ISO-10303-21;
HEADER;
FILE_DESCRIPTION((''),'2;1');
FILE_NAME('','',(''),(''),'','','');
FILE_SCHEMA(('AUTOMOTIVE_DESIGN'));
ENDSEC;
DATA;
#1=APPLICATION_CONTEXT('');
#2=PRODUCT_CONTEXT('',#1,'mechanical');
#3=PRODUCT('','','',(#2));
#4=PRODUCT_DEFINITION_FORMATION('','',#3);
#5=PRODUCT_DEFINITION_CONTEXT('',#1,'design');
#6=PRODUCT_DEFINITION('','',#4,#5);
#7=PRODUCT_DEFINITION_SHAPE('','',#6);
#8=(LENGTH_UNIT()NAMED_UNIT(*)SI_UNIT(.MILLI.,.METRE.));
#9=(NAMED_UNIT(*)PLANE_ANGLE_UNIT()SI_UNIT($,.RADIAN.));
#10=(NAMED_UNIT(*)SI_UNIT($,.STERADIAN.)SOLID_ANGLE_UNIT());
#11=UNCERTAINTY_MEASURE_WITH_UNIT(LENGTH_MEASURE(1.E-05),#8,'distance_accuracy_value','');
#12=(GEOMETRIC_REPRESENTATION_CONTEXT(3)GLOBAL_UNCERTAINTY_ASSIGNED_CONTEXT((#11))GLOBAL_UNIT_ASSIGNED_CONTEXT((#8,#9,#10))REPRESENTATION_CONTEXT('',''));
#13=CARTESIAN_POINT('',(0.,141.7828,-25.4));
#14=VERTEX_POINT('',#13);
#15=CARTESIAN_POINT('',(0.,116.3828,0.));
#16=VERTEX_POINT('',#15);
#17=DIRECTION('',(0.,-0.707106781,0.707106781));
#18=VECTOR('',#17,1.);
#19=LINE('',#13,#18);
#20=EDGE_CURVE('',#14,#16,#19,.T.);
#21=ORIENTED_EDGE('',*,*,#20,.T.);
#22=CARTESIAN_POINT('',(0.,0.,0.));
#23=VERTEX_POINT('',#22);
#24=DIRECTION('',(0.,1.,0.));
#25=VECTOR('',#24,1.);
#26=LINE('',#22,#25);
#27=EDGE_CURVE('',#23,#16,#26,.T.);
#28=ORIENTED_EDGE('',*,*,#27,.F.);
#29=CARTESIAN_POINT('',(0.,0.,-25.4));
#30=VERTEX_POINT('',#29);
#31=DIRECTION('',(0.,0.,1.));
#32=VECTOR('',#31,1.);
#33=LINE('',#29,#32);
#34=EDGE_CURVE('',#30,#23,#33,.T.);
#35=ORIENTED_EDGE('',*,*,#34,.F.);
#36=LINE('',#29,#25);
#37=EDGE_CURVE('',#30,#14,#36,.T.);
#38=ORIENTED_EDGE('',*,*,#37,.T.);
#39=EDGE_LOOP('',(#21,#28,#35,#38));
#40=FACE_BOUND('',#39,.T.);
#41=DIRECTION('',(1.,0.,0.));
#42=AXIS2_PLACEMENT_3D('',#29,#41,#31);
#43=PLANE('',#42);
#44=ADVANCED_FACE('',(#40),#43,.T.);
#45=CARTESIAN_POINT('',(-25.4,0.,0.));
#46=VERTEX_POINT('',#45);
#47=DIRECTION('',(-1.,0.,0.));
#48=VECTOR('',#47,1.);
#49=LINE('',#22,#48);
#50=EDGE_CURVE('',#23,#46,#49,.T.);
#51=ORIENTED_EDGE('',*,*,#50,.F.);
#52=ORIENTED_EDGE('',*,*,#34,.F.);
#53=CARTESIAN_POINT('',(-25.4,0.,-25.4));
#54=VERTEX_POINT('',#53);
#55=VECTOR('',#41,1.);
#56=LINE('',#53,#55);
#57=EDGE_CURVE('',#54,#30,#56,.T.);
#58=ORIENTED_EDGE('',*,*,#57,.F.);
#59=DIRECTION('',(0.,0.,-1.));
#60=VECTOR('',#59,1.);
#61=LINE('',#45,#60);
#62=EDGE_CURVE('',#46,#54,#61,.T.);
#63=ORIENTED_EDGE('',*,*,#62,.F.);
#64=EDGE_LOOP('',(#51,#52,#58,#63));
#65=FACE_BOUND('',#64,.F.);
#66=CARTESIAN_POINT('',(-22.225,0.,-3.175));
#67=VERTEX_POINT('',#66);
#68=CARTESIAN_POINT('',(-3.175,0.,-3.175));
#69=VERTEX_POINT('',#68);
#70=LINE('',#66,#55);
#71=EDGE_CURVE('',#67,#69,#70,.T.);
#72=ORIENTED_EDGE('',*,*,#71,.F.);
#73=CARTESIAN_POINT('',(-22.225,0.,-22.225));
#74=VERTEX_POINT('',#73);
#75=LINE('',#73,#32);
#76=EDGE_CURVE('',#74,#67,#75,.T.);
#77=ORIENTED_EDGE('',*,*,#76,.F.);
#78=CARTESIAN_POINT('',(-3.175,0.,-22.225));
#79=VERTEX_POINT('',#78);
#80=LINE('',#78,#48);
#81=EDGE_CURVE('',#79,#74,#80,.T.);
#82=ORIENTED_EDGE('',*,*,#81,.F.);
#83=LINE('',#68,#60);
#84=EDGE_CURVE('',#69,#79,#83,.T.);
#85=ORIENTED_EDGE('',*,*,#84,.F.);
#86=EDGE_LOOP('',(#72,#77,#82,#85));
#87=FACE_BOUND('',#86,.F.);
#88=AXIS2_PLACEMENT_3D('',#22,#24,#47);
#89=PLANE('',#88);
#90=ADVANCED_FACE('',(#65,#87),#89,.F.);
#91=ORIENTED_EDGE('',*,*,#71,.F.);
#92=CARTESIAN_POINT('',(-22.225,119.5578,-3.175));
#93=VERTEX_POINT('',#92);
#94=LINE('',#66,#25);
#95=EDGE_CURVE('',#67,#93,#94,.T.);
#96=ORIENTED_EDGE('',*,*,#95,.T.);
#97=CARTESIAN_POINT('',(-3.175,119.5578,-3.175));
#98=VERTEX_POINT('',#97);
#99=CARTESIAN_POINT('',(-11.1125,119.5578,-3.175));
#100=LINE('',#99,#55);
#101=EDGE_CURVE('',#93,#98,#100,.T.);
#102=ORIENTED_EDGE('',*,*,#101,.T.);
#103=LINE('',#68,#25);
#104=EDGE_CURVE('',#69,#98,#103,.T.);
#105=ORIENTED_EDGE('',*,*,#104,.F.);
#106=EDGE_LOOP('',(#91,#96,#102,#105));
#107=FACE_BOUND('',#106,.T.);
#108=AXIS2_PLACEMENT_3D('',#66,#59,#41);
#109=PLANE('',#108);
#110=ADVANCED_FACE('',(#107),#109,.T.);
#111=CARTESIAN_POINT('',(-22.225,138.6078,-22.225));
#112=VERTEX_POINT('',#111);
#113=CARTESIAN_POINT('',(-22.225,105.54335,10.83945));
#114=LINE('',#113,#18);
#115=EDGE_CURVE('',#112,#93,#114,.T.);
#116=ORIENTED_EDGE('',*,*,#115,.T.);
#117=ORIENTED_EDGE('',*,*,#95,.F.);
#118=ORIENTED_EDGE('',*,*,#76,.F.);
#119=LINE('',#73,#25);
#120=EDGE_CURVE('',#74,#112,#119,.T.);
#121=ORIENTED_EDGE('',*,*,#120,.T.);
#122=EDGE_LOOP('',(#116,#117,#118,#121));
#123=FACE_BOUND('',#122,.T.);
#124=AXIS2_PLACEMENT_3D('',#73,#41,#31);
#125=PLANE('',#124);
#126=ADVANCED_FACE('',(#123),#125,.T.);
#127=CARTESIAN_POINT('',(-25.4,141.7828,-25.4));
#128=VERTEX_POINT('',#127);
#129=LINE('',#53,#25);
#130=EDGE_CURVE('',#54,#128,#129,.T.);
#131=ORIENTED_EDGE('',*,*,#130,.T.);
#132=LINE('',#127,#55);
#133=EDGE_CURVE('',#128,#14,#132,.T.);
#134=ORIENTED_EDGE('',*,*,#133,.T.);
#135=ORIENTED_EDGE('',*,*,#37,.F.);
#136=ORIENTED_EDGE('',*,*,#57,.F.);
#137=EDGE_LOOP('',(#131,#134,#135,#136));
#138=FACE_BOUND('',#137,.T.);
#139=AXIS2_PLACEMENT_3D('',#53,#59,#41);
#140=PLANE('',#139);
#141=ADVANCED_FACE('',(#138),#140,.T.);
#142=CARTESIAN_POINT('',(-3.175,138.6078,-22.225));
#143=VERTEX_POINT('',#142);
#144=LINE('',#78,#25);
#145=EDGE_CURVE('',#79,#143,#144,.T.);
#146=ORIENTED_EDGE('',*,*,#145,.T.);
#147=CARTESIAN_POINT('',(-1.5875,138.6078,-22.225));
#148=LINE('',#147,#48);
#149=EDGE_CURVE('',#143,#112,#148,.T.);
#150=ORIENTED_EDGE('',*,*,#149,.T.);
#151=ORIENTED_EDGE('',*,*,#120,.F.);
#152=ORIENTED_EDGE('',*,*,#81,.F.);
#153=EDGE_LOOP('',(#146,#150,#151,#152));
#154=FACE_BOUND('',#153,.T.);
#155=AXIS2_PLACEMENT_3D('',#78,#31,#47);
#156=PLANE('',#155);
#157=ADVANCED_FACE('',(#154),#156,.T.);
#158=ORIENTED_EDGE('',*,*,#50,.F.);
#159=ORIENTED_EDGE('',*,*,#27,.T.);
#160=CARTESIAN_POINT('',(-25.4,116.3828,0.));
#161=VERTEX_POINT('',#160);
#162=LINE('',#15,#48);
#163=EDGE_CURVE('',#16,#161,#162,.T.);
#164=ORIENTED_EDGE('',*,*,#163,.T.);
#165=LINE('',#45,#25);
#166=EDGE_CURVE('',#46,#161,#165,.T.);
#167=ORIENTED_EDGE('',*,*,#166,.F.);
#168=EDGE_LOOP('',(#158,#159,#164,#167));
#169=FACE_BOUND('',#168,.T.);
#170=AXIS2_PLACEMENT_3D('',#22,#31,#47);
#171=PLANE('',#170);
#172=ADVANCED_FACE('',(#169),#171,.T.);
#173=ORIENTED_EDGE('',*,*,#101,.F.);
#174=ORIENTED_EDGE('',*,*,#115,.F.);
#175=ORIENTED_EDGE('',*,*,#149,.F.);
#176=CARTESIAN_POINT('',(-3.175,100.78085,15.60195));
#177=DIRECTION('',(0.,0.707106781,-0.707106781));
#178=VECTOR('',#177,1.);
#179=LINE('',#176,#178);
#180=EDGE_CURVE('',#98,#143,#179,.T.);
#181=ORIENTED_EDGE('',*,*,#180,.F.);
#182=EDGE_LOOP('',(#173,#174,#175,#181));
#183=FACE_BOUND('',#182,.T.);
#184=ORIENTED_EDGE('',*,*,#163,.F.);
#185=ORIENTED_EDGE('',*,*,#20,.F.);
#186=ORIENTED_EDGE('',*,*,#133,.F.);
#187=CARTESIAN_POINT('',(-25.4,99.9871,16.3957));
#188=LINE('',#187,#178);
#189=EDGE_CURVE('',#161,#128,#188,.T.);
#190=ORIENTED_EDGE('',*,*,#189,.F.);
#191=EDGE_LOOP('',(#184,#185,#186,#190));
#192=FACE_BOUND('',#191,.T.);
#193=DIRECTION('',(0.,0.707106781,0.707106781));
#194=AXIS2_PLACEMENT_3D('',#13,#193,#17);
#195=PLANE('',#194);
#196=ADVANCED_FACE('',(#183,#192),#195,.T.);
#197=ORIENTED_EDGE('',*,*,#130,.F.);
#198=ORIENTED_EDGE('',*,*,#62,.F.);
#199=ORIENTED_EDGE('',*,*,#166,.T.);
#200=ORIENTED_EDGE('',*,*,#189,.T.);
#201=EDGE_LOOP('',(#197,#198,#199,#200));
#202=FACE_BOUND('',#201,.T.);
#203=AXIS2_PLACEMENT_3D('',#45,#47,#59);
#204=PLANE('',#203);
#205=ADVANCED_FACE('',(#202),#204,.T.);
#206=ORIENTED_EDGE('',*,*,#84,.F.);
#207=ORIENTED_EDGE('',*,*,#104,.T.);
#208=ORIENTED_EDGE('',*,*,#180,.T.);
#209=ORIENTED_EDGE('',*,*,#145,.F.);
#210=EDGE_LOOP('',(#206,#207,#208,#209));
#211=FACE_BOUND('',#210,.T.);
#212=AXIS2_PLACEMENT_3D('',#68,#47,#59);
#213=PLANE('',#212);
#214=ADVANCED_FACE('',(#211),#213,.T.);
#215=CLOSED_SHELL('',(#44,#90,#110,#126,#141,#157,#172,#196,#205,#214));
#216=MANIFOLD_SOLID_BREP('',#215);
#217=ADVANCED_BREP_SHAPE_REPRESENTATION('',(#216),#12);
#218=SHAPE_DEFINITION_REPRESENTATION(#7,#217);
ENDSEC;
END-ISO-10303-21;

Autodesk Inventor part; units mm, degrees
ref_plane "YZ Plane" through (0, 0, 0) normal (1, 0, 0) x (0, 1, 0)
ref_plane "XZ Plane" through (0, 0, 0) normal (0, 1, 0) x (-1, 0, 0)
ref_plane "XY Plane" through (0, 0, 0) normal (0, 0, 1) x (1, 0, 0)
sketch "Sketch1" plane through (0, 0, 0) normal (0, 1, 0) x (-1, 0, 0)
  line L0 (0, 0) -> (25.4, 0)
  line L1 (25.4, 0) -> (25.4, -25.4)
  line L2 (25.4, -25.4) -> (0, -25.4)
  line L3 (0, -25.4) -> (0, 0)
  line L4 (22.225, -22.225) -> (22.225, -3.175)
  line L5 (22.225, -3.175) -> (3.175, -3.175)
  line L6 (3.175, -3.175) -> (3.175, -22.225)
  line L7 (3.175, -22.225) -> (22.225, -22.225)
  dimension "d0" = 25.4
  dimension "d1" = 25.4
  dimension "d2" = 3.175
extrude "Extrusion1" add sketch "Sketch1" along normal blind 141.7828
sketch "Sketch2" plane through (0, 0, 0) normal (1, 0, 0) x (0, 0, -1)
  line L0 (25.4, 0) -> (0, 0) projected
  line L1 (25.4, 0) -> (25.4, 141.7828) projected
  line L2 (0, 141.7828) -> (25.4, 141.7828) projected
  line L3 (0, 0) -> (0, 141.7828) projected
  line L4 (0, 141.7828) -> (25.4, 141.7828)
  line L5 (25.4, 141.7828) -> (25.4, 116.3828)
  line L6 (25.4, 116.3828) -> (0, 116.3828)
  line L7 (0, 116.3828) -> (0, 141.7828)
  line L8 (25.4, 0) -> (25.4, 141.7828) projected
  line L9 (25.4, 141.7828) -> (0, 116.3828)
  dimension "d5" = 45
extrude "Extrusion2" cut sketch "Sketch2" against normal blind 141.7828 contours L3 L2 L9
properties part number "BottomStorageSupport.ver1-1111-2020"
